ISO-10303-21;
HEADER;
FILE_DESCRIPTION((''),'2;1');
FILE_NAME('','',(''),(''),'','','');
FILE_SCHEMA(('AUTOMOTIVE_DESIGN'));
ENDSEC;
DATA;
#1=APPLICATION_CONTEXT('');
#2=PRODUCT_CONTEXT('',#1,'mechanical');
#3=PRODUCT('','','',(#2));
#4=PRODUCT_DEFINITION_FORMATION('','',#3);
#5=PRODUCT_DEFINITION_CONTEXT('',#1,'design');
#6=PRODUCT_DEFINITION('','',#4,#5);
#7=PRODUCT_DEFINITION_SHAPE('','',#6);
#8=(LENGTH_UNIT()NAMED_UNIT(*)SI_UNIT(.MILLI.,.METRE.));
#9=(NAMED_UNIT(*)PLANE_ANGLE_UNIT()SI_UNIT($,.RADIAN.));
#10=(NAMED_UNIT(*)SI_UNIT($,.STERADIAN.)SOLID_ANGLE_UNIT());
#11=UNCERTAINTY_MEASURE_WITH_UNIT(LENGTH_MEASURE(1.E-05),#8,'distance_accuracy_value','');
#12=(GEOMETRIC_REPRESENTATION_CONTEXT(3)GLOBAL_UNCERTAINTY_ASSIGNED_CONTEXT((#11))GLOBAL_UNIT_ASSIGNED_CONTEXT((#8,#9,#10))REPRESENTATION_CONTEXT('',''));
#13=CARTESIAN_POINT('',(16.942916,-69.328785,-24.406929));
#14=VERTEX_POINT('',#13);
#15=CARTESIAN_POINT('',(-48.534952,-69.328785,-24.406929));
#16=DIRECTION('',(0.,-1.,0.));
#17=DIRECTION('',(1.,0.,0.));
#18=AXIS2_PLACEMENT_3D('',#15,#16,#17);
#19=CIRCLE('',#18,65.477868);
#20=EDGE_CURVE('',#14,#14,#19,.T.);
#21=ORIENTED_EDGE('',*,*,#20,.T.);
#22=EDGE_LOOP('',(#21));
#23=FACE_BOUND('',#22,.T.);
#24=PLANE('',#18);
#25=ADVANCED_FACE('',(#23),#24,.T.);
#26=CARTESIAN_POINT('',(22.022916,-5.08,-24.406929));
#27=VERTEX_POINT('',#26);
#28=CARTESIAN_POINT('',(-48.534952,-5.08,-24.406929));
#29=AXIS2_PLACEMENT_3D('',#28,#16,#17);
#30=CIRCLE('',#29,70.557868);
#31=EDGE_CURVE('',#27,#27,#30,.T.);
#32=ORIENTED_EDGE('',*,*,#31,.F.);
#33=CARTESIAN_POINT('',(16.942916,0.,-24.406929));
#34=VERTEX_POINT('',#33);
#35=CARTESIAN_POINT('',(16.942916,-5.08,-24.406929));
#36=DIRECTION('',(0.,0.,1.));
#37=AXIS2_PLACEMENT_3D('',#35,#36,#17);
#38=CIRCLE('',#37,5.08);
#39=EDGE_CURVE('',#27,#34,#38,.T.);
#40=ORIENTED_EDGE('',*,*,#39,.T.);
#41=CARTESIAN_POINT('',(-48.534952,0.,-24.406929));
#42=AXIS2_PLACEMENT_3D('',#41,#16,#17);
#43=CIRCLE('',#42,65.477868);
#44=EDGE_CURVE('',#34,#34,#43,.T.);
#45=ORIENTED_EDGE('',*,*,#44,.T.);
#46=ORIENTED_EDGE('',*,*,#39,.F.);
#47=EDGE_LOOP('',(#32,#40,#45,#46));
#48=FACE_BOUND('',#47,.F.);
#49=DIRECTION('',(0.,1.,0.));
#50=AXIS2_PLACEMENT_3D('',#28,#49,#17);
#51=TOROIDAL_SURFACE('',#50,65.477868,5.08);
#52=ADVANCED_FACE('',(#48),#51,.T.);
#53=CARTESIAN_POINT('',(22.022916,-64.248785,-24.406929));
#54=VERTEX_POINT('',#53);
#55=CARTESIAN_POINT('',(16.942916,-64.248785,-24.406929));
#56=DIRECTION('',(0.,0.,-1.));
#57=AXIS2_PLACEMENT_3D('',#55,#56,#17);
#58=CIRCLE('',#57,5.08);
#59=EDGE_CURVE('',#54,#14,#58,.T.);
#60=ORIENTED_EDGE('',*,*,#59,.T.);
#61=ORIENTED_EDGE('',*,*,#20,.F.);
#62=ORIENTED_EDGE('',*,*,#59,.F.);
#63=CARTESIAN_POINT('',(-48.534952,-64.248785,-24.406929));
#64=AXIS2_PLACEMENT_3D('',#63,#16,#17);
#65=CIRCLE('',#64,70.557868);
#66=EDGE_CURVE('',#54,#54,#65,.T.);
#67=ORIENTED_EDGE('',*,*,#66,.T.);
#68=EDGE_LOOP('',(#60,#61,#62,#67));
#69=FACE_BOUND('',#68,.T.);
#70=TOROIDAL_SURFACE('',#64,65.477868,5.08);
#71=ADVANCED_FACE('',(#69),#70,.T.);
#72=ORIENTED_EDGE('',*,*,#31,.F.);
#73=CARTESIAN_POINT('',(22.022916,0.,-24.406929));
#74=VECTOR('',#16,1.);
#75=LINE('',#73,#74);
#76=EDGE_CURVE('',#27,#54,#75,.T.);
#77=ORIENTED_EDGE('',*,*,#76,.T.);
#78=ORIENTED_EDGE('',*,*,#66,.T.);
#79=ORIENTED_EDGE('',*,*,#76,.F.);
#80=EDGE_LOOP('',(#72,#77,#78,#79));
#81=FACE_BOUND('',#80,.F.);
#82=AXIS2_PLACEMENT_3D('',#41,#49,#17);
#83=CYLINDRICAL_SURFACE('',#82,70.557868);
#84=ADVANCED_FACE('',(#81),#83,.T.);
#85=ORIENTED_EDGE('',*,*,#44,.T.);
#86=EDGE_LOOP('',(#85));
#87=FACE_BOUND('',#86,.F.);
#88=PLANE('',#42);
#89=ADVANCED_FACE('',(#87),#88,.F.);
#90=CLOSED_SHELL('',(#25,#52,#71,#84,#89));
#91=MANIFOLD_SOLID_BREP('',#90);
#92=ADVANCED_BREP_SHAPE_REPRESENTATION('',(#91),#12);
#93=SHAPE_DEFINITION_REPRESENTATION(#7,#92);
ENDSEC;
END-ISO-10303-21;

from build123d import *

# Parameters (mm, degrees)
F0_R     = 70.557868
F1_DEPTH = 69.328785
F2_R     = 5.08


with BuildPart() as f1:
    # F0 (on Front) → F1 (new body)
    with BuildSketch(Plane.XZ):
        with Locations((-48.534952, -24.406929)):
            Circle(F0_R)
    extrude(amount=F1_DEPTH)

    # F2
    f2_edges = [f1.edges().sort_by_distance(p)[0] for p in [
        (22.022916, -34.664392, -24.406929),
        (-119.09282, 0, -24.406929),
        (-119.09282, -69.328785, -24.406929),
    ]]
    fillet(f2_edges, radius=F2_R)


solid = f1.part
